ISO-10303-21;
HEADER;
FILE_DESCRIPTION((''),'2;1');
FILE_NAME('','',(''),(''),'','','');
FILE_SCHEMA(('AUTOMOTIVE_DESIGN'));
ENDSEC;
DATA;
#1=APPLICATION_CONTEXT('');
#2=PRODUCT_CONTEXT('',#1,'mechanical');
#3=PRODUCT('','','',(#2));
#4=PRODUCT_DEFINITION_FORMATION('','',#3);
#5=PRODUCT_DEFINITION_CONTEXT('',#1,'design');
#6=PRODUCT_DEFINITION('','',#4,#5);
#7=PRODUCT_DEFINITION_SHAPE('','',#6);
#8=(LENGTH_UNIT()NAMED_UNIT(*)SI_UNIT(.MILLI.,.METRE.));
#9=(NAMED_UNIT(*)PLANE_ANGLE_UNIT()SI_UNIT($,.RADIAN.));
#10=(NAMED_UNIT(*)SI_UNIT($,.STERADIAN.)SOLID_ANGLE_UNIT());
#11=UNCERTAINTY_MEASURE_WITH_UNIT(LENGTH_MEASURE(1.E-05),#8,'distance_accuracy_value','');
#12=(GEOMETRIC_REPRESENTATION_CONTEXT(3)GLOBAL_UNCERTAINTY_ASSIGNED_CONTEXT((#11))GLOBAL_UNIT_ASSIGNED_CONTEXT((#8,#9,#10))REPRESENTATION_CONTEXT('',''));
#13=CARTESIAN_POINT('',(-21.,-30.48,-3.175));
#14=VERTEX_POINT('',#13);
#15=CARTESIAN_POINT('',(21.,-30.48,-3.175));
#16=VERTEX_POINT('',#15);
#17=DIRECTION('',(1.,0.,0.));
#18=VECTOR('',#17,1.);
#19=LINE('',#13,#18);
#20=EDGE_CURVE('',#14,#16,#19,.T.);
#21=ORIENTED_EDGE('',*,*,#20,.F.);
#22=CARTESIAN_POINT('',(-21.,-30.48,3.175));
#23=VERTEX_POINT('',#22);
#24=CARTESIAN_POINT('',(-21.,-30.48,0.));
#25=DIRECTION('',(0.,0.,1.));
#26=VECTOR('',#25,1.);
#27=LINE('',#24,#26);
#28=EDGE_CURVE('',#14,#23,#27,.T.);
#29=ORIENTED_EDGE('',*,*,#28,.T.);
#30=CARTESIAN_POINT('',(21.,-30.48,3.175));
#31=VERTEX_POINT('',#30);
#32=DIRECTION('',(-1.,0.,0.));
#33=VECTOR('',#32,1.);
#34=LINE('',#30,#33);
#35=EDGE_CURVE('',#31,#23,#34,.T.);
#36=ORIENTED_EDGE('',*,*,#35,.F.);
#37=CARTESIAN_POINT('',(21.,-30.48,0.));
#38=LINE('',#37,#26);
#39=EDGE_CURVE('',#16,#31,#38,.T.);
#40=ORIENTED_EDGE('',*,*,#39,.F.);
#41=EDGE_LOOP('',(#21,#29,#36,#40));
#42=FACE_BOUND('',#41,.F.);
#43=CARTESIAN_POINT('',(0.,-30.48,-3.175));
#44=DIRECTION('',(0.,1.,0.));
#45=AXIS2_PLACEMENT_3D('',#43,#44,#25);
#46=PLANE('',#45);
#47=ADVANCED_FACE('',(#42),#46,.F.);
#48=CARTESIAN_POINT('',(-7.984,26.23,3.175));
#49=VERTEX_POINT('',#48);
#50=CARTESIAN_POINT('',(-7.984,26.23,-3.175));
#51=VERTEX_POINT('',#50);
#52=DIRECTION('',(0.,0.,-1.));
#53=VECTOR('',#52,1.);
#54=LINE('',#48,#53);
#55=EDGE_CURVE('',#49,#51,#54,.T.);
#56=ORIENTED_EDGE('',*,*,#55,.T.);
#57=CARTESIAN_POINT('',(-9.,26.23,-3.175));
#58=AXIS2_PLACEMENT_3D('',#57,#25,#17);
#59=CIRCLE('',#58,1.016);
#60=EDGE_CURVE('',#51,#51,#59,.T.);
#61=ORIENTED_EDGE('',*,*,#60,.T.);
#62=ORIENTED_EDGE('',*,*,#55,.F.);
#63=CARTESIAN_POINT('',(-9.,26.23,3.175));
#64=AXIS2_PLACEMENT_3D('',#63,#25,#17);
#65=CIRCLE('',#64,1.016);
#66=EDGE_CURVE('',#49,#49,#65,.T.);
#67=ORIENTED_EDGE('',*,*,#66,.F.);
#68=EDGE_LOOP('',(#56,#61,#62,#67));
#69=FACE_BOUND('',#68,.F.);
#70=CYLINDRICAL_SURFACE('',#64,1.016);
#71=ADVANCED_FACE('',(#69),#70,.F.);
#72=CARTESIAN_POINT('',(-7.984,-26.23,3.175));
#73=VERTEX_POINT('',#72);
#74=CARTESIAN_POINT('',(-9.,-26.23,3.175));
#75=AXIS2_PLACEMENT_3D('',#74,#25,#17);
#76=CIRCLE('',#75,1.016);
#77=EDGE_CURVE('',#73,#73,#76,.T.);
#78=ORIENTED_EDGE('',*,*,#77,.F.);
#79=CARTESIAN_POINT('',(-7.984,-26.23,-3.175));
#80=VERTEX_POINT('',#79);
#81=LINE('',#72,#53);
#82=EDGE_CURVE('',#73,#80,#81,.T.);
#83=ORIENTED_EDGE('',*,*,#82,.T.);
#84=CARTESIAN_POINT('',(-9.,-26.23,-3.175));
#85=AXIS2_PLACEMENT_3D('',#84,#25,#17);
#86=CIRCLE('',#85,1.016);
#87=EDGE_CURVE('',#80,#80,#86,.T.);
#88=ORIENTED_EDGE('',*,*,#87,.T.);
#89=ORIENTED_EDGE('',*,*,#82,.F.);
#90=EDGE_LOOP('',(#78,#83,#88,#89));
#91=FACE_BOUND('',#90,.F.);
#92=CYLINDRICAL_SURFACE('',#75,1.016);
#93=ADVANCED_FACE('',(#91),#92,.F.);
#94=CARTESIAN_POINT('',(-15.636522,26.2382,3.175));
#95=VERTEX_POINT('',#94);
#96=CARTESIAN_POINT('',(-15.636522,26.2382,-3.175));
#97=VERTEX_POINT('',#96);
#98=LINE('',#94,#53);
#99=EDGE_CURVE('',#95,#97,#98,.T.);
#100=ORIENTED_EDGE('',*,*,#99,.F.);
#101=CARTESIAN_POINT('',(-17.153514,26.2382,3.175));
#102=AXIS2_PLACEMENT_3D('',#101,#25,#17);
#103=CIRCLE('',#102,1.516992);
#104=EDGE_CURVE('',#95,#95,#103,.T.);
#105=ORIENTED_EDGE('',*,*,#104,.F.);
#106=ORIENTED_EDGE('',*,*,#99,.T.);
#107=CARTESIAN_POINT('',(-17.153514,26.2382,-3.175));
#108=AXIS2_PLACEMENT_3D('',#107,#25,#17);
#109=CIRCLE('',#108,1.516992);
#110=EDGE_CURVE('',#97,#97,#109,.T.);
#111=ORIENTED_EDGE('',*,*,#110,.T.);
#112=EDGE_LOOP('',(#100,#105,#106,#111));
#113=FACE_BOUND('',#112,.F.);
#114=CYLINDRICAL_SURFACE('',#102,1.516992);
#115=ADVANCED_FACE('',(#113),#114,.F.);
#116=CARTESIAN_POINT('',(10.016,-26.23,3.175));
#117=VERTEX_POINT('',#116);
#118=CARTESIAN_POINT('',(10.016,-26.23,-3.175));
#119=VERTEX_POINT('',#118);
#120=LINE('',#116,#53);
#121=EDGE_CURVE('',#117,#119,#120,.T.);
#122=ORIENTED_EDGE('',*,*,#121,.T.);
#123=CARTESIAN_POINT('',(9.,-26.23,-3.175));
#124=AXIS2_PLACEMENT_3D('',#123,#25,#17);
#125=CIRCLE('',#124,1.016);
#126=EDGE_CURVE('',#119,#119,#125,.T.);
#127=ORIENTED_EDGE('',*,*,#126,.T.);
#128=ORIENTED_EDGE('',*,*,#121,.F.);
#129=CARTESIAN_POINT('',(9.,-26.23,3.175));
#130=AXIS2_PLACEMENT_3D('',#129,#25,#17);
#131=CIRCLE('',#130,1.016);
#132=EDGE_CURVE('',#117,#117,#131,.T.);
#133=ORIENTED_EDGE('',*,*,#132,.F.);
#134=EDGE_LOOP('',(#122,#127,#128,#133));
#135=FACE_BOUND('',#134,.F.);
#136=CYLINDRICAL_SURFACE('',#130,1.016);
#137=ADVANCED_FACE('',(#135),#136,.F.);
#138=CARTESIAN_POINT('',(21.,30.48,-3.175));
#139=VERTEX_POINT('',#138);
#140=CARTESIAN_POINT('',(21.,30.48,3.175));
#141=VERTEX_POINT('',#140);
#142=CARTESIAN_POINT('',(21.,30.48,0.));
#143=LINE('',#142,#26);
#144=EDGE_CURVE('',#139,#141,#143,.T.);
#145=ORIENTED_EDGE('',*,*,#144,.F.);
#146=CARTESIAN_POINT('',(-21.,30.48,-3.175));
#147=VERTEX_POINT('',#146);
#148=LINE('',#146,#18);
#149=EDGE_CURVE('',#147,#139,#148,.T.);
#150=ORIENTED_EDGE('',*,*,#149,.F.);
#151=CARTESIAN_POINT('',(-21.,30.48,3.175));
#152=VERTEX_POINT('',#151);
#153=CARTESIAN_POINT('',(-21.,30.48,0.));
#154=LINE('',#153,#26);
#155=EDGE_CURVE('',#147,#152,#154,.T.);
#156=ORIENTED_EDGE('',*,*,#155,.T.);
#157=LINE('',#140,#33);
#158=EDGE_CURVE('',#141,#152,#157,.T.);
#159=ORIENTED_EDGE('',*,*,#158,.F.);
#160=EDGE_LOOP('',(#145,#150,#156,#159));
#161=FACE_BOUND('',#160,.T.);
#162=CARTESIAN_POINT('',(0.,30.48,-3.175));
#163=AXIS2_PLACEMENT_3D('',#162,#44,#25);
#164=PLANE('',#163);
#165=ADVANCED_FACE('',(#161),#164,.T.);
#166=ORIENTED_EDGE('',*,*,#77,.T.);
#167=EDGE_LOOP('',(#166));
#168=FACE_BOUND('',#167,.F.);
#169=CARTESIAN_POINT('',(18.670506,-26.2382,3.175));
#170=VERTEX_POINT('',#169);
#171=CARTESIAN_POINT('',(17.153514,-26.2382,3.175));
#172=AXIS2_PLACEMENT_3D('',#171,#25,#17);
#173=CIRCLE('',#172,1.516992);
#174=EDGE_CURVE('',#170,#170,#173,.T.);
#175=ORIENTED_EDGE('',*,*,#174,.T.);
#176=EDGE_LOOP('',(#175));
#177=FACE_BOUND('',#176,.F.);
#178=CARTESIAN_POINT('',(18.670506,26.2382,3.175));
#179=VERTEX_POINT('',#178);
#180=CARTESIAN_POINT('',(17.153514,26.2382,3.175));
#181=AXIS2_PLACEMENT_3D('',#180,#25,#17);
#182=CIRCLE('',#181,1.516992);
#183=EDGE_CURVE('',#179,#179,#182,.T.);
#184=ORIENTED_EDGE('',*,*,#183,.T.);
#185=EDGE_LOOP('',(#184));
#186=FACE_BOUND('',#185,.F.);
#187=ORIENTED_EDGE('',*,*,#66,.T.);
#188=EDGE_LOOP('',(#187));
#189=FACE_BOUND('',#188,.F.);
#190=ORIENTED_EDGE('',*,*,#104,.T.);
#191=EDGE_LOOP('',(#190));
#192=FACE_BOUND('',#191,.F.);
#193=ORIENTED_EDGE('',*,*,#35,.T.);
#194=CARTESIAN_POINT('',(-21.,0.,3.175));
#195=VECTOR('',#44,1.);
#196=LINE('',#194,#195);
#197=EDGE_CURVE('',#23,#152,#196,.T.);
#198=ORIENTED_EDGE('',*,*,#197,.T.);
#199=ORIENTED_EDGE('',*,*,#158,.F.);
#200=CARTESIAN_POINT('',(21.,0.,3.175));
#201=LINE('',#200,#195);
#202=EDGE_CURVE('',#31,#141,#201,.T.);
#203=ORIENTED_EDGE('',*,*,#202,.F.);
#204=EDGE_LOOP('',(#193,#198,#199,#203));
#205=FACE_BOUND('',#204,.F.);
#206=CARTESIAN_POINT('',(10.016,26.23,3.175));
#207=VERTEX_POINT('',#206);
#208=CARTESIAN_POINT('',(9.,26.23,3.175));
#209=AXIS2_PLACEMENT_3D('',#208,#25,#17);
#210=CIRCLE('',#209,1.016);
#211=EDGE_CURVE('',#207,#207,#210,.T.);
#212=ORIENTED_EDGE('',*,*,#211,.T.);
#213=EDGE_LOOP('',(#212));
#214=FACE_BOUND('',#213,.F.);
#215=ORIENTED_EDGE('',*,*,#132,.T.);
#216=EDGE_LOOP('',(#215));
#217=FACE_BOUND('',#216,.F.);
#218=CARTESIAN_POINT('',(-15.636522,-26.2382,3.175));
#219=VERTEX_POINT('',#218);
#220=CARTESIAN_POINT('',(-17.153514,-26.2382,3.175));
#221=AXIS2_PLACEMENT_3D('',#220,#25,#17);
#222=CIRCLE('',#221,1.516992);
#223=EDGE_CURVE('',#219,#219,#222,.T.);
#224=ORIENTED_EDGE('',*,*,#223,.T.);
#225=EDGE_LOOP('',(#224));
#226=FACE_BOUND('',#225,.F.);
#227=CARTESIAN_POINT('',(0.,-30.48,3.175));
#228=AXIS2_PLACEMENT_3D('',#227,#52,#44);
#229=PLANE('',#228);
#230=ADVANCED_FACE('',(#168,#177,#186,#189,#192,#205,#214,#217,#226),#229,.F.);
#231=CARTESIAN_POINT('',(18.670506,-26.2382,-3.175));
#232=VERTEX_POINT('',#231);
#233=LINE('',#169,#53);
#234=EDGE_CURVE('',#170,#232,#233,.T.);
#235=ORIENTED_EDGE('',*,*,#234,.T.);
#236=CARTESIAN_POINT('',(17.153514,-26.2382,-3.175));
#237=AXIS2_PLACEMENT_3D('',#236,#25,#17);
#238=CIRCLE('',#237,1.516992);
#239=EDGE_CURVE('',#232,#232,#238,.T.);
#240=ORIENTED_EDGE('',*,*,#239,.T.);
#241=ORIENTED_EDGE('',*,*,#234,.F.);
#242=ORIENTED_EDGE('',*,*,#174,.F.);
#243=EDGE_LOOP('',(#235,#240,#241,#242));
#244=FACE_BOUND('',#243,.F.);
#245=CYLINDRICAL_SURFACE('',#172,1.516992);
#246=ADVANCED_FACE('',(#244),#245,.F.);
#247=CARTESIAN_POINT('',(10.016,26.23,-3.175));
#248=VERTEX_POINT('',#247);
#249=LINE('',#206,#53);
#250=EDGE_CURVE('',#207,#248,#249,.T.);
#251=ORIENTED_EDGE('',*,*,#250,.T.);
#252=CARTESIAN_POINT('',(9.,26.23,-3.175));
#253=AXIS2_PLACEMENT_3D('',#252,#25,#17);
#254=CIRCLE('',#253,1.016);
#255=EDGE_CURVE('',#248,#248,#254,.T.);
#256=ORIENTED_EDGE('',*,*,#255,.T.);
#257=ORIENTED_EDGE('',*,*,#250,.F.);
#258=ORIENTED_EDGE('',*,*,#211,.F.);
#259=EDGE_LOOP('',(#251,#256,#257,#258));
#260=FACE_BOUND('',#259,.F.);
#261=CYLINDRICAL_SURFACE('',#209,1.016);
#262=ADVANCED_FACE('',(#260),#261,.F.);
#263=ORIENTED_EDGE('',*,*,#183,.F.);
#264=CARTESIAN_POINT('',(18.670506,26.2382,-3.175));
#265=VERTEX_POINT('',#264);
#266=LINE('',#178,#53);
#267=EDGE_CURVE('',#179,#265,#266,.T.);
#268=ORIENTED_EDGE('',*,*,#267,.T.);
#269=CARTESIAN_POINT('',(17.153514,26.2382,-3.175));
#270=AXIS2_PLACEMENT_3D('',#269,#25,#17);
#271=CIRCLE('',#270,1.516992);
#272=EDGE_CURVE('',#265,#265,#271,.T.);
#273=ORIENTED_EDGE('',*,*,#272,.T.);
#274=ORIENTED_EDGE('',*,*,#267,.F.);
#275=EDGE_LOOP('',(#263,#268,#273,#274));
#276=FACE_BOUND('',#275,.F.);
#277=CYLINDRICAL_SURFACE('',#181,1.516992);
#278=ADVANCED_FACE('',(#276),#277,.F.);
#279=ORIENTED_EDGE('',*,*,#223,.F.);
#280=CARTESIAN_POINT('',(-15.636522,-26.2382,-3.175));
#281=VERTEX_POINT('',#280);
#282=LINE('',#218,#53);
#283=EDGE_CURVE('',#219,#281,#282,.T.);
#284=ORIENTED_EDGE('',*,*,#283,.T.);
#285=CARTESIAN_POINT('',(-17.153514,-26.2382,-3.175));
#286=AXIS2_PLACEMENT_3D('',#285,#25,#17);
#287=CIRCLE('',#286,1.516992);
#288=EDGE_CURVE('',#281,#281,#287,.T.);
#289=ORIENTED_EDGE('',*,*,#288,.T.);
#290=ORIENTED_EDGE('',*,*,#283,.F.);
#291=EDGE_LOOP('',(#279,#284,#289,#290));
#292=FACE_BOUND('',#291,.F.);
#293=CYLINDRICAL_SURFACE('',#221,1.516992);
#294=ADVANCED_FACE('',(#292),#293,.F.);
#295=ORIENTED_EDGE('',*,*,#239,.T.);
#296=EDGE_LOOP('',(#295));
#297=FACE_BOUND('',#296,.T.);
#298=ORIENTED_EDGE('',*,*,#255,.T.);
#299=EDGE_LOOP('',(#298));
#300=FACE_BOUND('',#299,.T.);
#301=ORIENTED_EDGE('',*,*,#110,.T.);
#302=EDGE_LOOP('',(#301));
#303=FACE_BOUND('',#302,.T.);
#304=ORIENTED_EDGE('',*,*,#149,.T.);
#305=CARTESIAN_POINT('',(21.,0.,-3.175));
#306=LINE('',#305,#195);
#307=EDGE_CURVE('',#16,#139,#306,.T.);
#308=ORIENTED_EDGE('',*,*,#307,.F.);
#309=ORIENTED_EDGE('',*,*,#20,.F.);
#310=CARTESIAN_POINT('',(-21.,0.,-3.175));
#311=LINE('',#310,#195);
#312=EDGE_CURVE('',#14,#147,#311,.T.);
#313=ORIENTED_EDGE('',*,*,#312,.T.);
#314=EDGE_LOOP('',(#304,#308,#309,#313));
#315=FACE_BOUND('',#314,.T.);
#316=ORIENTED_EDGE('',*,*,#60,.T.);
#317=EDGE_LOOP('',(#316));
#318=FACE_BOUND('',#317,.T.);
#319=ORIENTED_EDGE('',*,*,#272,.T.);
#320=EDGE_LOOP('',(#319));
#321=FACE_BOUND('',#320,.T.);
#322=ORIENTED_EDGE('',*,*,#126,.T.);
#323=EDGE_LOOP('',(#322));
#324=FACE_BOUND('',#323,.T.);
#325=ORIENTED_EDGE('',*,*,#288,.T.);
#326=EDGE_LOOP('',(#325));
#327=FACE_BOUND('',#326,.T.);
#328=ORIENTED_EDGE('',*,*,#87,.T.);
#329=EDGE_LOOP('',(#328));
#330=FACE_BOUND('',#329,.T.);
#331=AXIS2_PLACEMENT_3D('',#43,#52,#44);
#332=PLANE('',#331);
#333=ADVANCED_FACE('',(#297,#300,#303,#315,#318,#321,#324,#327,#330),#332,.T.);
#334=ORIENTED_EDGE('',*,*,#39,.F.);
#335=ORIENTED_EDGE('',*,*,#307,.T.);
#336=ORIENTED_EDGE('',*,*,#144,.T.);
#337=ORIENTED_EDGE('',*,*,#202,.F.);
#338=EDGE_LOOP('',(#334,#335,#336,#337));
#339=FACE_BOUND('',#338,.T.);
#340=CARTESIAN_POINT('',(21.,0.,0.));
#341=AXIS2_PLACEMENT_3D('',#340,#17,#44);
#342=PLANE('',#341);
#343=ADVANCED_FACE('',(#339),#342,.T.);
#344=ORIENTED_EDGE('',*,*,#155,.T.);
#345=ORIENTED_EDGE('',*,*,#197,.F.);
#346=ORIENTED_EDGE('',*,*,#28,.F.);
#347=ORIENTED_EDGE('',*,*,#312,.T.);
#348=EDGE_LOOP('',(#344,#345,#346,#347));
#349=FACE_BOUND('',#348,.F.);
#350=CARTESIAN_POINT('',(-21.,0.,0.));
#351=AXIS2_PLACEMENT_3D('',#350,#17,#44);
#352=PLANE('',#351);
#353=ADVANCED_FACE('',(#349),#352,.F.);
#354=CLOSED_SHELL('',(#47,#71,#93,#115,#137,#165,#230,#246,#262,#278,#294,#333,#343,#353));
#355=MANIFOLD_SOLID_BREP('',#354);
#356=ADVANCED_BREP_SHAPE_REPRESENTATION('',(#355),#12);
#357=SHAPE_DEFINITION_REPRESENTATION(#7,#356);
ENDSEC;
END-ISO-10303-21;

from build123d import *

# Parameters (mm, degrees)
F0_W     = 60.96
F0_H     = 6.35
F1_DEPTH = 21
F2_R     = 1.016
F3_R     = 1.516992
F4_DEPTH = 6.35


with BuildPart() as f1:
    # F0 (on Right) → F1 (new body, symmetric)
    with BuildSketch(Plane.YZ):
        Rectangle(F0_W, F0_H)
    extrude(amount=F1_DEPTH, both=True)

    # F2 (on face) + F3 (on face) → F4 (cut, through all)
    with BuildSketch(Plane.XY.offset(3.175)):
        with Locations((-9, -26.23)):
            Circle(F2_R)
        with Locations((9, -26.23)):
            Circle(F2_R)
        with Locations((9, 26.23)):
            Circle(F2_R)
        with Locations((-9, 26.23)):
            Circle(F2_R)
    with BuildSketch(Plane.XY.offset(3.175)):
        with Locations((-17.153514, 26.2382)):
            Circle(F3_R)
        with Locations((17.153514, 26.2382)):
            Circle(F3_R)
        with Locations((17.153514, -26.2382)):
            Circle(F3_R)
        with Locations((-17.153514, -26.2382)):
            Circle(F3_R)
    extrude(amount=-F4_DEPTH, mode=Mode.SUBTRACT)


solid = f1.part
